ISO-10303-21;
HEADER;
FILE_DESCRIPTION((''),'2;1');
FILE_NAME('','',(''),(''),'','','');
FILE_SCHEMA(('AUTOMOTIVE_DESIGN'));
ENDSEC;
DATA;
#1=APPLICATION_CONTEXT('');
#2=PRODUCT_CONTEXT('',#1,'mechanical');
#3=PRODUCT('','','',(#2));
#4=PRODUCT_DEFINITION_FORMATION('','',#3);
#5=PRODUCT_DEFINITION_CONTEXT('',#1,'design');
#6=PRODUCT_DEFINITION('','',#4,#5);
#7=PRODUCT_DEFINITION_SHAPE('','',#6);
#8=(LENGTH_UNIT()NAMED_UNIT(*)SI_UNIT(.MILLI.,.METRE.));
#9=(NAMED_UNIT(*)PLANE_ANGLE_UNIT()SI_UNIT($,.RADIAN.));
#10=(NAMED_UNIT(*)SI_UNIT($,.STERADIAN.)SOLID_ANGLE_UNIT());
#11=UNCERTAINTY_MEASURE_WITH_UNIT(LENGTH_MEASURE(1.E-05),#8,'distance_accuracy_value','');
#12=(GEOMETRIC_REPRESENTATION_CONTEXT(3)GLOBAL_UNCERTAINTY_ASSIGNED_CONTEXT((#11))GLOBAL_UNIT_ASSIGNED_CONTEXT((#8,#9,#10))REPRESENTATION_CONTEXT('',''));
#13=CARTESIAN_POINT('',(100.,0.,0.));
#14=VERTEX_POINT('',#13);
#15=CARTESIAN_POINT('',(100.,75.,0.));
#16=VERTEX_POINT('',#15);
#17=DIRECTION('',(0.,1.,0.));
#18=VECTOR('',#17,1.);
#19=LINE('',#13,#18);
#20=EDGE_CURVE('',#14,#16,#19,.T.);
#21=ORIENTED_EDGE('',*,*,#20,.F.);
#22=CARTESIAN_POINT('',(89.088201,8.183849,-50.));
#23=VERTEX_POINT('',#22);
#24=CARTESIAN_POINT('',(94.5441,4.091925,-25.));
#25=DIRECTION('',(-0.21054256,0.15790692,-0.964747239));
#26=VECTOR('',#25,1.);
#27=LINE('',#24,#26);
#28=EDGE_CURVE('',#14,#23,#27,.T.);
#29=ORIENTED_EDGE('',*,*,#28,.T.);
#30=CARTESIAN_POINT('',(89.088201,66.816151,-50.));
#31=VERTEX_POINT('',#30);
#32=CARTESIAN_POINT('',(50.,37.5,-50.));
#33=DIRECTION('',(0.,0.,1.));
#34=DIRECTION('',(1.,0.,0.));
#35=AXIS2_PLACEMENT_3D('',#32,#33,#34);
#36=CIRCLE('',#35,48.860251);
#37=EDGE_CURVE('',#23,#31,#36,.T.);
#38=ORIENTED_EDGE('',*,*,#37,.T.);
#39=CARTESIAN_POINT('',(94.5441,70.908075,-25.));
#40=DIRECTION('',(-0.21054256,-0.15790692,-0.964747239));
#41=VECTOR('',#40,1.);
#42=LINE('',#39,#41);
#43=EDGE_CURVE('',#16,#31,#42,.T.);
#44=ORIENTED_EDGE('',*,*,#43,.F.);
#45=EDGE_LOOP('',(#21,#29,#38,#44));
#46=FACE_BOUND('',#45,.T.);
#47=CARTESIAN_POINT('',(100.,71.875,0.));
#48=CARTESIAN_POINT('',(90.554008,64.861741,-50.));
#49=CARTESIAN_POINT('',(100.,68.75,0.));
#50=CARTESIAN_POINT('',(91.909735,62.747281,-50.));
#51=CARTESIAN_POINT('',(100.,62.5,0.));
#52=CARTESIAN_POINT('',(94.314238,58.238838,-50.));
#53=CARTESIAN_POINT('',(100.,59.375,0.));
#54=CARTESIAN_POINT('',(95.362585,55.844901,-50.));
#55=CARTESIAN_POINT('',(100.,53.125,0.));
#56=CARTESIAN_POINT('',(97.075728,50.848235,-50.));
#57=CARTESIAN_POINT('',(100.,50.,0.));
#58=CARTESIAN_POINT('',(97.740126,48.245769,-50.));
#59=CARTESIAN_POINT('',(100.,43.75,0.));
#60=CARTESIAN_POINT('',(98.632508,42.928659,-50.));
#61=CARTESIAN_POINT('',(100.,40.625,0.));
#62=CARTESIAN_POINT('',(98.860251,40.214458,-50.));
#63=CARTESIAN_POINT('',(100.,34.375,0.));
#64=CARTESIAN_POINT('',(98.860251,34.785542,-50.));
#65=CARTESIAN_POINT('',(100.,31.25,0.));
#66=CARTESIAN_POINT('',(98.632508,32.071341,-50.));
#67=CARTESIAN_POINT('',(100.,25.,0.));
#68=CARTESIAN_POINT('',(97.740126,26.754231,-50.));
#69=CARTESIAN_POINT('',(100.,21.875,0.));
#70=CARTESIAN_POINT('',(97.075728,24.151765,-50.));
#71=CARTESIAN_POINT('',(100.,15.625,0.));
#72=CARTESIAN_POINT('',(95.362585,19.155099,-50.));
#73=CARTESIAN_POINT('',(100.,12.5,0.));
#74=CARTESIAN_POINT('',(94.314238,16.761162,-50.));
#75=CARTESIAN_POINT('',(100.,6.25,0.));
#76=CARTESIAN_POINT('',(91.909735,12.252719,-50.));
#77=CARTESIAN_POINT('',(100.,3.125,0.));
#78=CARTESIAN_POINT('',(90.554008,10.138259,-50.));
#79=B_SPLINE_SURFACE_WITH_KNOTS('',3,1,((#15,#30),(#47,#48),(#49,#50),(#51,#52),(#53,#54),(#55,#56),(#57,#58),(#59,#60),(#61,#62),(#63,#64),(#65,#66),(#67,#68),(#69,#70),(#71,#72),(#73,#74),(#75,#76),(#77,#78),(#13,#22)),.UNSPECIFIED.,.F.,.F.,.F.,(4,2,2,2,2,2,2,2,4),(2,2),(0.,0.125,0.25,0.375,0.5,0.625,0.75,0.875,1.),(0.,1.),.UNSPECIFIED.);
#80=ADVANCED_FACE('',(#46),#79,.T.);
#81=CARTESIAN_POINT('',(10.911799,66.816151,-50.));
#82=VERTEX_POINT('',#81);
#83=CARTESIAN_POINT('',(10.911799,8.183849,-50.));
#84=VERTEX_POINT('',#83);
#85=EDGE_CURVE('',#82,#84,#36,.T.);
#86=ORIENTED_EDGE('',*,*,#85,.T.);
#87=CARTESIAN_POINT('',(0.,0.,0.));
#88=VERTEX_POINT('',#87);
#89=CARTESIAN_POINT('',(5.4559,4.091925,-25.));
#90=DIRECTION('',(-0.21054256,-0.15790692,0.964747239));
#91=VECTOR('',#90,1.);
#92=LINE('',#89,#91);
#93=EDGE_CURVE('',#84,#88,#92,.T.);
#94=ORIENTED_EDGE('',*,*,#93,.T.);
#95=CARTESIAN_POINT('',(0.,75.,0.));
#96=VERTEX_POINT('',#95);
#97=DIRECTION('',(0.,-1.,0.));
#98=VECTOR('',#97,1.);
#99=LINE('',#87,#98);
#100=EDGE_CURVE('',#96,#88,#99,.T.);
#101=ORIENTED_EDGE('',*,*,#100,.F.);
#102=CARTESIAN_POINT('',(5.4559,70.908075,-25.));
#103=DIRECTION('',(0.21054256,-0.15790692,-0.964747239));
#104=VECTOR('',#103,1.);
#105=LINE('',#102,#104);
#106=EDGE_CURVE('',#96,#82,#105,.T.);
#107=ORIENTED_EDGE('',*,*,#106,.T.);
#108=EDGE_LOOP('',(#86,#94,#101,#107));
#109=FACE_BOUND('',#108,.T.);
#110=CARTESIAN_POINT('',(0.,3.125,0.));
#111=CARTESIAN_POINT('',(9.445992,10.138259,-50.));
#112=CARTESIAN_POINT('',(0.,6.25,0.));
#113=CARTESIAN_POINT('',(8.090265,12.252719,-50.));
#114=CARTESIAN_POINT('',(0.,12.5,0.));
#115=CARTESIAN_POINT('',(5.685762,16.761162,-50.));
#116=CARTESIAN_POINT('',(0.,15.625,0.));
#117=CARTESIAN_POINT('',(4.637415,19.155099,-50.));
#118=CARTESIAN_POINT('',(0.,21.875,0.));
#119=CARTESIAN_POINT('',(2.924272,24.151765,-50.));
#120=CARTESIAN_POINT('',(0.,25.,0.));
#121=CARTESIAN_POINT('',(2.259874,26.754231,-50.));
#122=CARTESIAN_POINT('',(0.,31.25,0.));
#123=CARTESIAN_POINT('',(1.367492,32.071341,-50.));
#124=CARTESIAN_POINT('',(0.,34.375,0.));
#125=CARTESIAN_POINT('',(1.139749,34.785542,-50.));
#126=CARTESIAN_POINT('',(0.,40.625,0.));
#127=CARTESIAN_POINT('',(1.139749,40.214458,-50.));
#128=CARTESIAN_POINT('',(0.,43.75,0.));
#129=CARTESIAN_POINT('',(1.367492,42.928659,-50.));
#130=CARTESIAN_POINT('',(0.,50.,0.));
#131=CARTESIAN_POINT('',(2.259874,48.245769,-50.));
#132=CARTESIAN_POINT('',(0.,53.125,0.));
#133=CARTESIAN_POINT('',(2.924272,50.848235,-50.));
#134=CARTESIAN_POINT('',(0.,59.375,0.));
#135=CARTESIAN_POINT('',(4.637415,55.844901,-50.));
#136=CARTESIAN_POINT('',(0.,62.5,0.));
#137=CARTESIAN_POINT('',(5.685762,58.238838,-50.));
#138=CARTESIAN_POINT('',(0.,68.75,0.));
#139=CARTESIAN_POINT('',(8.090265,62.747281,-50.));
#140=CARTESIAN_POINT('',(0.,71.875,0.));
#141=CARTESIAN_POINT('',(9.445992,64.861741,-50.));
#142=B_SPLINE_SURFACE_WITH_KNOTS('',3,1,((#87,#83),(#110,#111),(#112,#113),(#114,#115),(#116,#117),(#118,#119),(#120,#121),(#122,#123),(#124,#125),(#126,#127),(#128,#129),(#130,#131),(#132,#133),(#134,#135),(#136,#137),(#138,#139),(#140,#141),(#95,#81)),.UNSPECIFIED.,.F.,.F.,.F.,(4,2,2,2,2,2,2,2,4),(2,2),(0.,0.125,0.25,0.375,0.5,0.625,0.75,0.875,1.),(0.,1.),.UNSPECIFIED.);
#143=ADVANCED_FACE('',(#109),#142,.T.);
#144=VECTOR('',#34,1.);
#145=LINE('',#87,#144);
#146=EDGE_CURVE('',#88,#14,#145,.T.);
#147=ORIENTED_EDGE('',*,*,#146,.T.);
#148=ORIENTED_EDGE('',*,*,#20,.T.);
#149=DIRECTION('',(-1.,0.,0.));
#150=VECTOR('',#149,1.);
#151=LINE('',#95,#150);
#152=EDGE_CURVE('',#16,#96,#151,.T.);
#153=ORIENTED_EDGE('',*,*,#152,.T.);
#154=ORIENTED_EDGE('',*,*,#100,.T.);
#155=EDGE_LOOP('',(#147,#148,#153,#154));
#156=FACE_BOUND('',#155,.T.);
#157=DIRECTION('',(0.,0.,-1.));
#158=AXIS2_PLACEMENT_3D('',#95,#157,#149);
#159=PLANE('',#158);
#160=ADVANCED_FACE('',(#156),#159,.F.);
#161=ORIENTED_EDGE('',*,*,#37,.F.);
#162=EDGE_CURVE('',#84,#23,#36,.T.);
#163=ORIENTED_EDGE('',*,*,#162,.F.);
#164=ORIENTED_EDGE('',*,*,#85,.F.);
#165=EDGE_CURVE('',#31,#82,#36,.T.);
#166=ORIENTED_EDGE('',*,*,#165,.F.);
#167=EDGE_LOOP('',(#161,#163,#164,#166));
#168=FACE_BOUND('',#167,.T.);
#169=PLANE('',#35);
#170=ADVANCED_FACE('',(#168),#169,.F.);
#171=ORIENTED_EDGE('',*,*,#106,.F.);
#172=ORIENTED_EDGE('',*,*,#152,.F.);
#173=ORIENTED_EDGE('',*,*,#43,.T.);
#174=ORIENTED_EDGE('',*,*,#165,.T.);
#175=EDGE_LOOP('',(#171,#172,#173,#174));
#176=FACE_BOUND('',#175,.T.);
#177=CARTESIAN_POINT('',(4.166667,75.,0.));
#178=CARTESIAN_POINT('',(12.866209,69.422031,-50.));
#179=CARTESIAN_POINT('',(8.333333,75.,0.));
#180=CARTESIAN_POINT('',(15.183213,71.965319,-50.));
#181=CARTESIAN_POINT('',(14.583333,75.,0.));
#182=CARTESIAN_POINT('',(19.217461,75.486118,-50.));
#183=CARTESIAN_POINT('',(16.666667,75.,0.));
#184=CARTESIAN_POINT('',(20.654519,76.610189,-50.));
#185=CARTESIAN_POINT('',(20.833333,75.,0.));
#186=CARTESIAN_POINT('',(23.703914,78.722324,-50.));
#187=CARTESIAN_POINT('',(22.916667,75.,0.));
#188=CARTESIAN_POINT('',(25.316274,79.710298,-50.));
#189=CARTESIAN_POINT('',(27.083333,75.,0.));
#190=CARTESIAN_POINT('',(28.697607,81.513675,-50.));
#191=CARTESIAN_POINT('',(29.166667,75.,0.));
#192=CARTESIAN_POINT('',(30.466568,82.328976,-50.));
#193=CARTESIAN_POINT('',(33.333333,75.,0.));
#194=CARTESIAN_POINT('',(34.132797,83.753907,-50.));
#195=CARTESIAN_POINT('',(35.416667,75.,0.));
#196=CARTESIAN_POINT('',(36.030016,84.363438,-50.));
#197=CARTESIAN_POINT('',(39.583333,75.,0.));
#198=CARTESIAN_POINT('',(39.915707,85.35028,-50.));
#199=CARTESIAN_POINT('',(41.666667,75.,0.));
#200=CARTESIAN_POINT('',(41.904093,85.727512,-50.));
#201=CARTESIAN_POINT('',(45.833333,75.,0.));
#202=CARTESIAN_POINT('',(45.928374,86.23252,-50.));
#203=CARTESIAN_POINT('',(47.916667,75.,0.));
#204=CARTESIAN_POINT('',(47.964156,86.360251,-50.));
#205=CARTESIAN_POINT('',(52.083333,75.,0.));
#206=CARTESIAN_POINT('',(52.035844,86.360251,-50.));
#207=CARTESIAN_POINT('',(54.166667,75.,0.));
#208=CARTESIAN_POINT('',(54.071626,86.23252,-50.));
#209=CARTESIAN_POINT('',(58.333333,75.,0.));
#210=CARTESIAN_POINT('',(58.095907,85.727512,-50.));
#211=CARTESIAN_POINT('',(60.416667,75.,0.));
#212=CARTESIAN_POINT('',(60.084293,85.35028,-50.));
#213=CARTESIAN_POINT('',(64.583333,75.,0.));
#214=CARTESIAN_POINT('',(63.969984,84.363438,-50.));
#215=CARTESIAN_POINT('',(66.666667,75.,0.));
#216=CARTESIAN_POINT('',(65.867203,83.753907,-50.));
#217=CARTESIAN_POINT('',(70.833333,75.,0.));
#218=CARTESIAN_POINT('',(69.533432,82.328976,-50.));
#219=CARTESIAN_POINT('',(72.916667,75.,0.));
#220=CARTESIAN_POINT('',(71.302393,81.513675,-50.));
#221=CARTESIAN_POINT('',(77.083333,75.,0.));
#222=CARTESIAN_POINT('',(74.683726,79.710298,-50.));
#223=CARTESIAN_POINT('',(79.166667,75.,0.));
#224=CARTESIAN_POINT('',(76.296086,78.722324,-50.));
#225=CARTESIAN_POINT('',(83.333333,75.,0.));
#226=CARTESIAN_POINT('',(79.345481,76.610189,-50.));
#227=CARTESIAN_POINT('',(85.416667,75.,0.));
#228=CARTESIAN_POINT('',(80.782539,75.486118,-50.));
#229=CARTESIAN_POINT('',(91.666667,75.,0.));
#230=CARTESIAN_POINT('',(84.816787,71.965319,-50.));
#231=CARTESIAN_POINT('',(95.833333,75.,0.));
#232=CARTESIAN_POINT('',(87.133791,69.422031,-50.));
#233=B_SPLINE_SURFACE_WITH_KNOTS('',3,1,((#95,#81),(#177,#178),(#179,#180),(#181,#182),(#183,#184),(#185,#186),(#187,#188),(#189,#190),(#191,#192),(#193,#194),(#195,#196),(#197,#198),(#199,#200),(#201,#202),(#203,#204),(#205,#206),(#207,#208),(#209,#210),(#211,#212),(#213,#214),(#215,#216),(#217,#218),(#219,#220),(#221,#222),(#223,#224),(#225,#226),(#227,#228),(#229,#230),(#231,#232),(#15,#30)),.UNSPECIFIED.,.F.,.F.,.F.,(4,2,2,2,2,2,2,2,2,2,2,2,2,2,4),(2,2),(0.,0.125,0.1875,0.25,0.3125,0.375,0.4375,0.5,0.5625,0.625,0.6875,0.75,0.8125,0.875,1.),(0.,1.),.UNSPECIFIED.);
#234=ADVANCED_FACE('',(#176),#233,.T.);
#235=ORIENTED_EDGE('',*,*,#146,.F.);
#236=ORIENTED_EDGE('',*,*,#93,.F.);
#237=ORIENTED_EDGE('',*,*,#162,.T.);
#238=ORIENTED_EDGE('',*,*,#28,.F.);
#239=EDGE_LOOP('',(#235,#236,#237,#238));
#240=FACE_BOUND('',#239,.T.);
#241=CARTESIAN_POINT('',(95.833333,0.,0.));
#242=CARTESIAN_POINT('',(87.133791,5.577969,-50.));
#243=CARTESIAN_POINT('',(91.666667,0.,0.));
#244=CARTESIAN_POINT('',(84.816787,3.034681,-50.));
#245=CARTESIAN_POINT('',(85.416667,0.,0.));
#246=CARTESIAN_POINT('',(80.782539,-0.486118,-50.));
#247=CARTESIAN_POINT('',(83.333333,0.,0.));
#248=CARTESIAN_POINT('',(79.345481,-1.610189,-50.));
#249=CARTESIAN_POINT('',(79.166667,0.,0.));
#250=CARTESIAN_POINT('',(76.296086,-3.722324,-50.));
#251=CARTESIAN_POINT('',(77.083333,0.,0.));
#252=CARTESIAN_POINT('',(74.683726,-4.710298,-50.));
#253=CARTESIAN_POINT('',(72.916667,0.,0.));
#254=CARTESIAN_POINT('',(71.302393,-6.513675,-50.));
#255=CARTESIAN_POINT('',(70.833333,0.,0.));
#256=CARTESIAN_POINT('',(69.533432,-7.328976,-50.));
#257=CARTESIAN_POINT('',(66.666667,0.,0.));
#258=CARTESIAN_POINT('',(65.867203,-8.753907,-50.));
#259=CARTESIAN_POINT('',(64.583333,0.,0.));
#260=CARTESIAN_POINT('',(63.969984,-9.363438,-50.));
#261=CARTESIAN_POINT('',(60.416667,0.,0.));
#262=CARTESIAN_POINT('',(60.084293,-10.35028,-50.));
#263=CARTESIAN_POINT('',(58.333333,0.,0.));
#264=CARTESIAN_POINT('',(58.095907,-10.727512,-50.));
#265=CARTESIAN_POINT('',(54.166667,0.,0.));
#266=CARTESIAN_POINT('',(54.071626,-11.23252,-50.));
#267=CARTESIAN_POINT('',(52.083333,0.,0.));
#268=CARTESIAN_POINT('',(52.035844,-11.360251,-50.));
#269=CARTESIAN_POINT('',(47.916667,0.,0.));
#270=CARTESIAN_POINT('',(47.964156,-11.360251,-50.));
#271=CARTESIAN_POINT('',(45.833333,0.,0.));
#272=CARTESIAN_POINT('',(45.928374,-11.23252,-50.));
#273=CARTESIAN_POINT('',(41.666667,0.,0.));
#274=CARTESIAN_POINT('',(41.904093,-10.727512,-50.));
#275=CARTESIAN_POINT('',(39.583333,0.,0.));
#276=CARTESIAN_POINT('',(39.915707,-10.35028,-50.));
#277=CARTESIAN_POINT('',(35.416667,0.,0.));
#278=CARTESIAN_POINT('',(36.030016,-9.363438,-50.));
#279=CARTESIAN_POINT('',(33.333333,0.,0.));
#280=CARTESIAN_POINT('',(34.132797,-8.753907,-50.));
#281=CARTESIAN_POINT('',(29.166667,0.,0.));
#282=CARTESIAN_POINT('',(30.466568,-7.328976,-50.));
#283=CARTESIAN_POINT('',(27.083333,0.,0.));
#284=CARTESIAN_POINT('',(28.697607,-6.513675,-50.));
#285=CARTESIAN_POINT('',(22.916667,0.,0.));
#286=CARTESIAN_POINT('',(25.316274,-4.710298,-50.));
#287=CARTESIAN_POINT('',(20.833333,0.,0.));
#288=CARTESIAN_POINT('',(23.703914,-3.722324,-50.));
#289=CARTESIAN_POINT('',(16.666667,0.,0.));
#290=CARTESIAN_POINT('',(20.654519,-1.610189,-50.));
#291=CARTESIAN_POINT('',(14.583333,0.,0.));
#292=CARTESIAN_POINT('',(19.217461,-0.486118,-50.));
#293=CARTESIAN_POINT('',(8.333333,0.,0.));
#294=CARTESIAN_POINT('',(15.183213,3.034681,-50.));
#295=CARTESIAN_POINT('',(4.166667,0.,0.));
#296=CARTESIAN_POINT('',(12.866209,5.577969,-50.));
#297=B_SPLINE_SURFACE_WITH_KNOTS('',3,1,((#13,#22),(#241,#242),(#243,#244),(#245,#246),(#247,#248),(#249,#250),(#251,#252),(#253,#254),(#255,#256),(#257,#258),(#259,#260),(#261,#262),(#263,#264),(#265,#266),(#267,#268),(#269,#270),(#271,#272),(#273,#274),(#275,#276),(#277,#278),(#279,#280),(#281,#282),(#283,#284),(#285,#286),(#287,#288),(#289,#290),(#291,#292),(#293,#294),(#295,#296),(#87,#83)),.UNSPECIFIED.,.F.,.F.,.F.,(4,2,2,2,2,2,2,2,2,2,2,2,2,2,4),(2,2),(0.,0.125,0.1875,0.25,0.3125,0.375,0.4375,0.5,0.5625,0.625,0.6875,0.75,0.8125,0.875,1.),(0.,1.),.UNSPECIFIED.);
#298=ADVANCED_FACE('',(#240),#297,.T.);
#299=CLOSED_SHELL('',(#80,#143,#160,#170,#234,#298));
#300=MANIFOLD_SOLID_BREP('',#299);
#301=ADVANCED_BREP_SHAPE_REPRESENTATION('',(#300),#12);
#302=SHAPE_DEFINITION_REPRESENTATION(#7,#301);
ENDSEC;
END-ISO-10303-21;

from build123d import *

# Parameters (mm, degrees)
RECHTECK_W = 100
RECHTECK_H = 75


with BuildPart() as part:
    # Rechteck → Ausformung1 section 0
    with BuildSketch(Plane.XY):
        with Locations((50, 37.5)):
            Rectangle(RECHTECK_W, RECHTECK_H)
    # Skizze2 for Ausformung1 → Ausformung1 section 1
    with BuildSketch(Plane.XY.offset(-50)):
        with BuildLine():
            # circular arc as an exact rational Bezier (weights 1, cos(half-angle), 1)
            Bezier((10.911799048, 8.183849286), (50, -43.933751983), (89.088200952, 8.183849286), weights=[1, 0.6, 1])
            Bezier((89.088200952, 8.183849286), (111.075313988, 37.5), (89.088200952, 66.816150714), weights=[1, 0.8, 1])
            Bezier((89.088200952, 66.816150714), (50, 118.933751983), (10.911799048, 66.816150714), weights=[1, 0.6, 1])
            Bezier((10.911799048, 66.816150714), (-11.075313988, 37.5), (10.911799048, 8.183849286), weights=[1, 0.8, 1])
        make_face()
    loft()


solid = part.part
